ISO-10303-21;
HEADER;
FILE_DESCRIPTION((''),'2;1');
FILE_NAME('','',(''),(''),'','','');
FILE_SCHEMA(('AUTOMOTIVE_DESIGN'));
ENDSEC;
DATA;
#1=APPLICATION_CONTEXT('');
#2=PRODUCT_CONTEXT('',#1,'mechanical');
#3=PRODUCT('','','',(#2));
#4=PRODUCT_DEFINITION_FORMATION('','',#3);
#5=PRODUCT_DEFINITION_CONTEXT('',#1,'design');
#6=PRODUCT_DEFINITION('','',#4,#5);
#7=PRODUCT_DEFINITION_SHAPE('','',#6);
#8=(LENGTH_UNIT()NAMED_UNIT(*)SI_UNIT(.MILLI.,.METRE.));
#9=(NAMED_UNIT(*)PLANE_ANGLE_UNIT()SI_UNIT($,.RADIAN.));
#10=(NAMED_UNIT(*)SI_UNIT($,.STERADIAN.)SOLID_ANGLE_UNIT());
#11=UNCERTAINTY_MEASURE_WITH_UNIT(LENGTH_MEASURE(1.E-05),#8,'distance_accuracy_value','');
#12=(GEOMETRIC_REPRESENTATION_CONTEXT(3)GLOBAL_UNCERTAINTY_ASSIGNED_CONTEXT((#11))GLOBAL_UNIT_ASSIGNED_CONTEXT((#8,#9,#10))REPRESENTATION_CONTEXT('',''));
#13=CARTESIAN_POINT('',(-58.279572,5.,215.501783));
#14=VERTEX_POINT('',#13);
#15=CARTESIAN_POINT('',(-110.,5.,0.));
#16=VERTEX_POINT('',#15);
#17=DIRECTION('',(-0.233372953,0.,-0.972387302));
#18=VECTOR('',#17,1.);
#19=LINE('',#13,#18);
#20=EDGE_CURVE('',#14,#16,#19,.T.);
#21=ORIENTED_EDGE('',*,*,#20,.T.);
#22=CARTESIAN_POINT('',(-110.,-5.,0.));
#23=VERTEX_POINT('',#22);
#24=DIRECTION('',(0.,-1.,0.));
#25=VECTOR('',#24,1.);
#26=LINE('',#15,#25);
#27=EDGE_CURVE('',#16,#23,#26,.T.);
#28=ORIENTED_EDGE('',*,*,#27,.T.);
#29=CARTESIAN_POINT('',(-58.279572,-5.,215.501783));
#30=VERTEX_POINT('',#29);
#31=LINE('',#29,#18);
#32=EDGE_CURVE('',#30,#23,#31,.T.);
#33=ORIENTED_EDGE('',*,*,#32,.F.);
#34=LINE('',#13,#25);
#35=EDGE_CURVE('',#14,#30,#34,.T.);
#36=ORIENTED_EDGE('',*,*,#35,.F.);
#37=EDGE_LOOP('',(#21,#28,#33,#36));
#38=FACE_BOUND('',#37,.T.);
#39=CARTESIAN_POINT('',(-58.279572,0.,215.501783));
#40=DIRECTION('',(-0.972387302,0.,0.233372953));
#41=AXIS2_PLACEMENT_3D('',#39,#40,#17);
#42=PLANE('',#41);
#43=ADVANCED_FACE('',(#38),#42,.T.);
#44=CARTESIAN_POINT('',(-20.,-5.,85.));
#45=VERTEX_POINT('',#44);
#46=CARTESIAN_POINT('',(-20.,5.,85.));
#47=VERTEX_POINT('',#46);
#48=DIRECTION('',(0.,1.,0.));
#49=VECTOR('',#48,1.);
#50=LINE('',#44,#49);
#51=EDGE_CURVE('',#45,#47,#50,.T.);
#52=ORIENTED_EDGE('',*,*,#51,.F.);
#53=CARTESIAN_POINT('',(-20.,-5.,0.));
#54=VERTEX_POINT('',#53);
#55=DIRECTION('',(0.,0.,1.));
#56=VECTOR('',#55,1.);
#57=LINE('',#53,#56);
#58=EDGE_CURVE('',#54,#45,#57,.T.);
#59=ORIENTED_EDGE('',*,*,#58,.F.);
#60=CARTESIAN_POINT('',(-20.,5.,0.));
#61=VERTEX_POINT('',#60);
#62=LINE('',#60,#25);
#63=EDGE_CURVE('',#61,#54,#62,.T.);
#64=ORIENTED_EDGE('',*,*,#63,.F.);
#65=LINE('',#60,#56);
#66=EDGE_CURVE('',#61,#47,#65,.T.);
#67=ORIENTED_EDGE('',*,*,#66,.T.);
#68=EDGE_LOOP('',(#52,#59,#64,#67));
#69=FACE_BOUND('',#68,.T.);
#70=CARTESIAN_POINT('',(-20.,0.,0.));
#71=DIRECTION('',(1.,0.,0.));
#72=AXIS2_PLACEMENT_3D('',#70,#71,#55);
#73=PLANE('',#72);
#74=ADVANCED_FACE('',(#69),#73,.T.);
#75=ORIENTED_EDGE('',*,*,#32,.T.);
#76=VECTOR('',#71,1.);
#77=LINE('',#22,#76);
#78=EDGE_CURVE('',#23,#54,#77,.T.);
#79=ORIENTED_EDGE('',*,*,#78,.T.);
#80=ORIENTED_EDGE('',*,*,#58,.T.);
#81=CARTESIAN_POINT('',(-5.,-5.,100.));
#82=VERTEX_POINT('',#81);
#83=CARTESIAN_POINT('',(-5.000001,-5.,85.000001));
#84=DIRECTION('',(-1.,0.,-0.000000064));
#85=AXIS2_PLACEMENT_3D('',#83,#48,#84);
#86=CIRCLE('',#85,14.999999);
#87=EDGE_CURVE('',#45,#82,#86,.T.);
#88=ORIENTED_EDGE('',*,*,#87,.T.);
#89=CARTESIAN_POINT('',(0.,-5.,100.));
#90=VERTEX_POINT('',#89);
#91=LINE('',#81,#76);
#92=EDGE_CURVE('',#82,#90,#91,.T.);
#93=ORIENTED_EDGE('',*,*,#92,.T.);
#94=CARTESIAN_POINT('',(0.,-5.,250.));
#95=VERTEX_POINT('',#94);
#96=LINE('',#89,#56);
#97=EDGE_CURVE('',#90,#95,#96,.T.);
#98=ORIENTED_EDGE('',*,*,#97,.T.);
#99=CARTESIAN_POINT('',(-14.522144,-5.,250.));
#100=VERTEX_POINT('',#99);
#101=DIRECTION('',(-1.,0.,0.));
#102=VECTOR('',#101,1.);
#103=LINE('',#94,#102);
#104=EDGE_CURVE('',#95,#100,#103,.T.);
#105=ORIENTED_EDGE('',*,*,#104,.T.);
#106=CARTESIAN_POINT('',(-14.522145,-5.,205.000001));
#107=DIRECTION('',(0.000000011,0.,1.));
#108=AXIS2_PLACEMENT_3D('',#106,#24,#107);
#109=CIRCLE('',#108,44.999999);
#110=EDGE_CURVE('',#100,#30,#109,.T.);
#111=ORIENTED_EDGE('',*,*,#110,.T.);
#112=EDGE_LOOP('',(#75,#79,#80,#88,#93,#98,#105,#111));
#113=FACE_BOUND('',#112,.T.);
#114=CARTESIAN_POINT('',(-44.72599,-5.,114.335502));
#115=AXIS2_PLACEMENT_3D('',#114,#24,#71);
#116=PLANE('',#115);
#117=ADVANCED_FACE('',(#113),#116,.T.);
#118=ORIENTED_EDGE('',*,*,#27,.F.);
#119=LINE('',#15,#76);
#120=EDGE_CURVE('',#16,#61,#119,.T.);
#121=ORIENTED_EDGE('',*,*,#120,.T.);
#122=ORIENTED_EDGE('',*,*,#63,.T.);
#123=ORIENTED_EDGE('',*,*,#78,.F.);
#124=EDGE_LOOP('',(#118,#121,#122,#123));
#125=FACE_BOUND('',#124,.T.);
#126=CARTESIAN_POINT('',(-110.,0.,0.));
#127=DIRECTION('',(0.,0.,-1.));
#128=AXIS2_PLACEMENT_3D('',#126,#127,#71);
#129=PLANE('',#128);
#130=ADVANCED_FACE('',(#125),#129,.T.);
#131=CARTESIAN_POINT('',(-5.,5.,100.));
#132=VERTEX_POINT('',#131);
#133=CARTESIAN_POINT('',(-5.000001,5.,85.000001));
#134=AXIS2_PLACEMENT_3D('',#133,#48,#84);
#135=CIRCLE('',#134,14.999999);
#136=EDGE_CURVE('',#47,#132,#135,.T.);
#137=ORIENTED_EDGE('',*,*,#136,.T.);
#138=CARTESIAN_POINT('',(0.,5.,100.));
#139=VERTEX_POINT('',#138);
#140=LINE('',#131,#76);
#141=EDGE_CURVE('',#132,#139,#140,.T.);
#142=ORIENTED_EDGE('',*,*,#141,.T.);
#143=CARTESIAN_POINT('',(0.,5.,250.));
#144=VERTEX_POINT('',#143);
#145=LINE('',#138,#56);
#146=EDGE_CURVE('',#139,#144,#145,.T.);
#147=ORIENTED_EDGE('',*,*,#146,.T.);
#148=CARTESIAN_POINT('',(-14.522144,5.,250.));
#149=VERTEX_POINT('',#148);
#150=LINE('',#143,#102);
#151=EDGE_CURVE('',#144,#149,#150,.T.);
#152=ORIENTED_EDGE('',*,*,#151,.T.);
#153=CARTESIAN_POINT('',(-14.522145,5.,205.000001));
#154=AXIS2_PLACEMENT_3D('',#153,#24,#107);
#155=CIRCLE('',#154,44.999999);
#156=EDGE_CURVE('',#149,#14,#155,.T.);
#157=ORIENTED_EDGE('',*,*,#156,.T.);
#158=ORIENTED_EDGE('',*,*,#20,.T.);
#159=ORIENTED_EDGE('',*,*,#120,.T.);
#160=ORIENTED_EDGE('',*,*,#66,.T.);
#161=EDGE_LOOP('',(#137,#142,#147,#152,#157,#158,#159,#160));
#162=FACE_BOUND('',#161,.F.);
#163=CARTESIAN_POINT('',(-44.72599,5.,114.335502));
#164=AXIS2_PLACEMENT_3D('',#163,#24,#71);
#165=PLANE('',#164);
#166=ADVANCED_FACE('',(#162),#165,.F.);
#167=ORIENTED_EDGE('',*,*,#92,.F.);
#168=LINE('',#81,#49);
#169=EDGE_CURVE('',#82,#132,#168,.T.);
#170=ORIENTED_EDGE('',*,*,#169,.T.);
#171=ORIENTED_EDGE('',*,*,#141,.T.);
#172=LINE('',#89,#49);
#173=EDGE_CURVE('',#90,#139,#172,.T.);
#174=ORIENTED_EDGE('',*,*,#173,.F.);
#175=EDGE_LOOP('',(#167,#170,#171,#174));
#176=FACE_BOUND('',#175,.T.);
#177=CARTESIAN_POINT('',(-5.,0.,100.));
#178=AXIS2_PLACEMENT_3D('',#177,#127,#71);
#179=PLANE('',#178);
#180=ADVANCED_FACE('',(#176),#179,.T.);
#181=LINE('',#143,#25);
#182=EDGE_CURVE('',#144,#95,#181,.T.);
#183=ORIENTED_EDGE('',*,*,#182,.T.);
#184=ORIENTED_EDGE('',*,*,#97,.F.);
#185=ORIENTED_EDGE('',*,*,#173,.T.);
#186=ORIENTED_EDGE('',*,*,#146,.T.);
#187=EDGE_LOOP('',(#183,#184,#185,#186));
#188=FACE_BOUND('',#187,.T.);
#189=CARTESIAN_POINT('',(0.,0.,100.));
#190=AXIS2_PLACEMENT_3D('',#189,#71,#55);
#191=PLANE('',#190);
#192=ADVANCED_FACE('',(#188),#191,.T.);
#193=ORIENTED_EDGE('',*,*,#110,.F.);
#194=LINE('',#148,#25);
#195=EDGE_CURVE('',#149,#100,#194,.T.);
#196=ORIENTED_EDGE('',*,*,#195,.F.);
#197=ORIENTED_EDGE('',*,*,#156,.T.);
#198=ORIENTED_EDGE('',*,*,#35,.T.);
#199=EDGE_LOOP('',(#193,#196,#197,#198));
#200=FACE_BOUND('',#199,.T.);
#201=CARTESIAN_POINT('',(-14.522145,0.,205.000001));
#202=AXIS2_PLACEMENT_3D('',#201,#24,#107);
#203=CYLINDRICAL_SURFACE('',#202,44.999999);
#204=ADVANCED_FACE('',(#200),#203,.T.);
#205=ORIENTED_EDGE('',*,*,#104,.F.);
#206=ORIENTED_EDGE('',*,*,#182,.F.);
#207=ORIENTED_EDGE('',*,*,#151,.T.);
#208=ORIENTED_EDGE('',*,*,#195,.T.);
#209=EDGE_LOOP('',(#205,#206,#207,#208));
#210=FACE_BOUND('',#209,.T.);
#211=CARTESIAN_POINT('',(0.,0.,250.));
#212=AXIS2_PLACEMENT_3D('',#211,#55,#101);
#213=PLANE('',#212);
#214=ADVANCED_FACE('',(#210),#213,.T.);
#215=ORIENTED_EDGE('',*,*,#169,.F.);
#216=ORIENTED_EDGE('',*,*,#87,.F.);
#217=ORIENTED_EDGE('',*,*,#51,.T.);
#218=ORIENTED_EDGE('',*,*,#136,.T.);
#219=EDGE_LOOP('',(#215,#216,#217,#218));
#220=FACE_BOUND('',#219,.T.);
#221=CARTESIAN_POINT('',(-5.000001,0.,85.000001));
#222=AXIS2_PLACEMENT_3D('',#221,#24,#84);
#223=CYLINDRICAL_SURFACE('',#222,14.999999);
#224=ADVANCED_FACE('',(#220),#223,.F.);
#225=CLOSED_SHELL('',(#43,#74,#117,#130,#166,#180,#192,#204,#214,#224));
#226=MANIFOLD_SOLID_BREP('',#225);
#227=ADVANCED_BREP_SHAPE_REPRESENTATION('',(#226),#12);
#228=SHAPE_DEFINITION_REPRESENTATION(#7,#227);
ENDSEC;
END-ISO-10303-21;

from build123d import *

# Parameters (mm, degrees)
F1_DEPTH = 5


with BuildPart() as f1:
    # F0 (on Front) → F1 (new body, symmetric)
    with BuildSketch(Plane.XZ):
        with BuildLine():
            Line((0, 100), (0, 250))
            Line((0, 250), (-14.522144, 250))
            ThreePointArc((-14.522144, 250), (-42.382687, 240.338225), (-58.279572, 215.501783))
            Line((-58.279572, 215.501783), (-110, 0))
            Line((-110, 0), (-20, 0))
            Line((-20, 0), (-20, 85))
            ThreePointArc((-20, 85), (-15.606602, 95.606602), (-5, 100))
            Line((-5, 100), (0, 100))
        make_face()
    extrude(amount=F1_DEPTH, both=True)


solid = f1.part
